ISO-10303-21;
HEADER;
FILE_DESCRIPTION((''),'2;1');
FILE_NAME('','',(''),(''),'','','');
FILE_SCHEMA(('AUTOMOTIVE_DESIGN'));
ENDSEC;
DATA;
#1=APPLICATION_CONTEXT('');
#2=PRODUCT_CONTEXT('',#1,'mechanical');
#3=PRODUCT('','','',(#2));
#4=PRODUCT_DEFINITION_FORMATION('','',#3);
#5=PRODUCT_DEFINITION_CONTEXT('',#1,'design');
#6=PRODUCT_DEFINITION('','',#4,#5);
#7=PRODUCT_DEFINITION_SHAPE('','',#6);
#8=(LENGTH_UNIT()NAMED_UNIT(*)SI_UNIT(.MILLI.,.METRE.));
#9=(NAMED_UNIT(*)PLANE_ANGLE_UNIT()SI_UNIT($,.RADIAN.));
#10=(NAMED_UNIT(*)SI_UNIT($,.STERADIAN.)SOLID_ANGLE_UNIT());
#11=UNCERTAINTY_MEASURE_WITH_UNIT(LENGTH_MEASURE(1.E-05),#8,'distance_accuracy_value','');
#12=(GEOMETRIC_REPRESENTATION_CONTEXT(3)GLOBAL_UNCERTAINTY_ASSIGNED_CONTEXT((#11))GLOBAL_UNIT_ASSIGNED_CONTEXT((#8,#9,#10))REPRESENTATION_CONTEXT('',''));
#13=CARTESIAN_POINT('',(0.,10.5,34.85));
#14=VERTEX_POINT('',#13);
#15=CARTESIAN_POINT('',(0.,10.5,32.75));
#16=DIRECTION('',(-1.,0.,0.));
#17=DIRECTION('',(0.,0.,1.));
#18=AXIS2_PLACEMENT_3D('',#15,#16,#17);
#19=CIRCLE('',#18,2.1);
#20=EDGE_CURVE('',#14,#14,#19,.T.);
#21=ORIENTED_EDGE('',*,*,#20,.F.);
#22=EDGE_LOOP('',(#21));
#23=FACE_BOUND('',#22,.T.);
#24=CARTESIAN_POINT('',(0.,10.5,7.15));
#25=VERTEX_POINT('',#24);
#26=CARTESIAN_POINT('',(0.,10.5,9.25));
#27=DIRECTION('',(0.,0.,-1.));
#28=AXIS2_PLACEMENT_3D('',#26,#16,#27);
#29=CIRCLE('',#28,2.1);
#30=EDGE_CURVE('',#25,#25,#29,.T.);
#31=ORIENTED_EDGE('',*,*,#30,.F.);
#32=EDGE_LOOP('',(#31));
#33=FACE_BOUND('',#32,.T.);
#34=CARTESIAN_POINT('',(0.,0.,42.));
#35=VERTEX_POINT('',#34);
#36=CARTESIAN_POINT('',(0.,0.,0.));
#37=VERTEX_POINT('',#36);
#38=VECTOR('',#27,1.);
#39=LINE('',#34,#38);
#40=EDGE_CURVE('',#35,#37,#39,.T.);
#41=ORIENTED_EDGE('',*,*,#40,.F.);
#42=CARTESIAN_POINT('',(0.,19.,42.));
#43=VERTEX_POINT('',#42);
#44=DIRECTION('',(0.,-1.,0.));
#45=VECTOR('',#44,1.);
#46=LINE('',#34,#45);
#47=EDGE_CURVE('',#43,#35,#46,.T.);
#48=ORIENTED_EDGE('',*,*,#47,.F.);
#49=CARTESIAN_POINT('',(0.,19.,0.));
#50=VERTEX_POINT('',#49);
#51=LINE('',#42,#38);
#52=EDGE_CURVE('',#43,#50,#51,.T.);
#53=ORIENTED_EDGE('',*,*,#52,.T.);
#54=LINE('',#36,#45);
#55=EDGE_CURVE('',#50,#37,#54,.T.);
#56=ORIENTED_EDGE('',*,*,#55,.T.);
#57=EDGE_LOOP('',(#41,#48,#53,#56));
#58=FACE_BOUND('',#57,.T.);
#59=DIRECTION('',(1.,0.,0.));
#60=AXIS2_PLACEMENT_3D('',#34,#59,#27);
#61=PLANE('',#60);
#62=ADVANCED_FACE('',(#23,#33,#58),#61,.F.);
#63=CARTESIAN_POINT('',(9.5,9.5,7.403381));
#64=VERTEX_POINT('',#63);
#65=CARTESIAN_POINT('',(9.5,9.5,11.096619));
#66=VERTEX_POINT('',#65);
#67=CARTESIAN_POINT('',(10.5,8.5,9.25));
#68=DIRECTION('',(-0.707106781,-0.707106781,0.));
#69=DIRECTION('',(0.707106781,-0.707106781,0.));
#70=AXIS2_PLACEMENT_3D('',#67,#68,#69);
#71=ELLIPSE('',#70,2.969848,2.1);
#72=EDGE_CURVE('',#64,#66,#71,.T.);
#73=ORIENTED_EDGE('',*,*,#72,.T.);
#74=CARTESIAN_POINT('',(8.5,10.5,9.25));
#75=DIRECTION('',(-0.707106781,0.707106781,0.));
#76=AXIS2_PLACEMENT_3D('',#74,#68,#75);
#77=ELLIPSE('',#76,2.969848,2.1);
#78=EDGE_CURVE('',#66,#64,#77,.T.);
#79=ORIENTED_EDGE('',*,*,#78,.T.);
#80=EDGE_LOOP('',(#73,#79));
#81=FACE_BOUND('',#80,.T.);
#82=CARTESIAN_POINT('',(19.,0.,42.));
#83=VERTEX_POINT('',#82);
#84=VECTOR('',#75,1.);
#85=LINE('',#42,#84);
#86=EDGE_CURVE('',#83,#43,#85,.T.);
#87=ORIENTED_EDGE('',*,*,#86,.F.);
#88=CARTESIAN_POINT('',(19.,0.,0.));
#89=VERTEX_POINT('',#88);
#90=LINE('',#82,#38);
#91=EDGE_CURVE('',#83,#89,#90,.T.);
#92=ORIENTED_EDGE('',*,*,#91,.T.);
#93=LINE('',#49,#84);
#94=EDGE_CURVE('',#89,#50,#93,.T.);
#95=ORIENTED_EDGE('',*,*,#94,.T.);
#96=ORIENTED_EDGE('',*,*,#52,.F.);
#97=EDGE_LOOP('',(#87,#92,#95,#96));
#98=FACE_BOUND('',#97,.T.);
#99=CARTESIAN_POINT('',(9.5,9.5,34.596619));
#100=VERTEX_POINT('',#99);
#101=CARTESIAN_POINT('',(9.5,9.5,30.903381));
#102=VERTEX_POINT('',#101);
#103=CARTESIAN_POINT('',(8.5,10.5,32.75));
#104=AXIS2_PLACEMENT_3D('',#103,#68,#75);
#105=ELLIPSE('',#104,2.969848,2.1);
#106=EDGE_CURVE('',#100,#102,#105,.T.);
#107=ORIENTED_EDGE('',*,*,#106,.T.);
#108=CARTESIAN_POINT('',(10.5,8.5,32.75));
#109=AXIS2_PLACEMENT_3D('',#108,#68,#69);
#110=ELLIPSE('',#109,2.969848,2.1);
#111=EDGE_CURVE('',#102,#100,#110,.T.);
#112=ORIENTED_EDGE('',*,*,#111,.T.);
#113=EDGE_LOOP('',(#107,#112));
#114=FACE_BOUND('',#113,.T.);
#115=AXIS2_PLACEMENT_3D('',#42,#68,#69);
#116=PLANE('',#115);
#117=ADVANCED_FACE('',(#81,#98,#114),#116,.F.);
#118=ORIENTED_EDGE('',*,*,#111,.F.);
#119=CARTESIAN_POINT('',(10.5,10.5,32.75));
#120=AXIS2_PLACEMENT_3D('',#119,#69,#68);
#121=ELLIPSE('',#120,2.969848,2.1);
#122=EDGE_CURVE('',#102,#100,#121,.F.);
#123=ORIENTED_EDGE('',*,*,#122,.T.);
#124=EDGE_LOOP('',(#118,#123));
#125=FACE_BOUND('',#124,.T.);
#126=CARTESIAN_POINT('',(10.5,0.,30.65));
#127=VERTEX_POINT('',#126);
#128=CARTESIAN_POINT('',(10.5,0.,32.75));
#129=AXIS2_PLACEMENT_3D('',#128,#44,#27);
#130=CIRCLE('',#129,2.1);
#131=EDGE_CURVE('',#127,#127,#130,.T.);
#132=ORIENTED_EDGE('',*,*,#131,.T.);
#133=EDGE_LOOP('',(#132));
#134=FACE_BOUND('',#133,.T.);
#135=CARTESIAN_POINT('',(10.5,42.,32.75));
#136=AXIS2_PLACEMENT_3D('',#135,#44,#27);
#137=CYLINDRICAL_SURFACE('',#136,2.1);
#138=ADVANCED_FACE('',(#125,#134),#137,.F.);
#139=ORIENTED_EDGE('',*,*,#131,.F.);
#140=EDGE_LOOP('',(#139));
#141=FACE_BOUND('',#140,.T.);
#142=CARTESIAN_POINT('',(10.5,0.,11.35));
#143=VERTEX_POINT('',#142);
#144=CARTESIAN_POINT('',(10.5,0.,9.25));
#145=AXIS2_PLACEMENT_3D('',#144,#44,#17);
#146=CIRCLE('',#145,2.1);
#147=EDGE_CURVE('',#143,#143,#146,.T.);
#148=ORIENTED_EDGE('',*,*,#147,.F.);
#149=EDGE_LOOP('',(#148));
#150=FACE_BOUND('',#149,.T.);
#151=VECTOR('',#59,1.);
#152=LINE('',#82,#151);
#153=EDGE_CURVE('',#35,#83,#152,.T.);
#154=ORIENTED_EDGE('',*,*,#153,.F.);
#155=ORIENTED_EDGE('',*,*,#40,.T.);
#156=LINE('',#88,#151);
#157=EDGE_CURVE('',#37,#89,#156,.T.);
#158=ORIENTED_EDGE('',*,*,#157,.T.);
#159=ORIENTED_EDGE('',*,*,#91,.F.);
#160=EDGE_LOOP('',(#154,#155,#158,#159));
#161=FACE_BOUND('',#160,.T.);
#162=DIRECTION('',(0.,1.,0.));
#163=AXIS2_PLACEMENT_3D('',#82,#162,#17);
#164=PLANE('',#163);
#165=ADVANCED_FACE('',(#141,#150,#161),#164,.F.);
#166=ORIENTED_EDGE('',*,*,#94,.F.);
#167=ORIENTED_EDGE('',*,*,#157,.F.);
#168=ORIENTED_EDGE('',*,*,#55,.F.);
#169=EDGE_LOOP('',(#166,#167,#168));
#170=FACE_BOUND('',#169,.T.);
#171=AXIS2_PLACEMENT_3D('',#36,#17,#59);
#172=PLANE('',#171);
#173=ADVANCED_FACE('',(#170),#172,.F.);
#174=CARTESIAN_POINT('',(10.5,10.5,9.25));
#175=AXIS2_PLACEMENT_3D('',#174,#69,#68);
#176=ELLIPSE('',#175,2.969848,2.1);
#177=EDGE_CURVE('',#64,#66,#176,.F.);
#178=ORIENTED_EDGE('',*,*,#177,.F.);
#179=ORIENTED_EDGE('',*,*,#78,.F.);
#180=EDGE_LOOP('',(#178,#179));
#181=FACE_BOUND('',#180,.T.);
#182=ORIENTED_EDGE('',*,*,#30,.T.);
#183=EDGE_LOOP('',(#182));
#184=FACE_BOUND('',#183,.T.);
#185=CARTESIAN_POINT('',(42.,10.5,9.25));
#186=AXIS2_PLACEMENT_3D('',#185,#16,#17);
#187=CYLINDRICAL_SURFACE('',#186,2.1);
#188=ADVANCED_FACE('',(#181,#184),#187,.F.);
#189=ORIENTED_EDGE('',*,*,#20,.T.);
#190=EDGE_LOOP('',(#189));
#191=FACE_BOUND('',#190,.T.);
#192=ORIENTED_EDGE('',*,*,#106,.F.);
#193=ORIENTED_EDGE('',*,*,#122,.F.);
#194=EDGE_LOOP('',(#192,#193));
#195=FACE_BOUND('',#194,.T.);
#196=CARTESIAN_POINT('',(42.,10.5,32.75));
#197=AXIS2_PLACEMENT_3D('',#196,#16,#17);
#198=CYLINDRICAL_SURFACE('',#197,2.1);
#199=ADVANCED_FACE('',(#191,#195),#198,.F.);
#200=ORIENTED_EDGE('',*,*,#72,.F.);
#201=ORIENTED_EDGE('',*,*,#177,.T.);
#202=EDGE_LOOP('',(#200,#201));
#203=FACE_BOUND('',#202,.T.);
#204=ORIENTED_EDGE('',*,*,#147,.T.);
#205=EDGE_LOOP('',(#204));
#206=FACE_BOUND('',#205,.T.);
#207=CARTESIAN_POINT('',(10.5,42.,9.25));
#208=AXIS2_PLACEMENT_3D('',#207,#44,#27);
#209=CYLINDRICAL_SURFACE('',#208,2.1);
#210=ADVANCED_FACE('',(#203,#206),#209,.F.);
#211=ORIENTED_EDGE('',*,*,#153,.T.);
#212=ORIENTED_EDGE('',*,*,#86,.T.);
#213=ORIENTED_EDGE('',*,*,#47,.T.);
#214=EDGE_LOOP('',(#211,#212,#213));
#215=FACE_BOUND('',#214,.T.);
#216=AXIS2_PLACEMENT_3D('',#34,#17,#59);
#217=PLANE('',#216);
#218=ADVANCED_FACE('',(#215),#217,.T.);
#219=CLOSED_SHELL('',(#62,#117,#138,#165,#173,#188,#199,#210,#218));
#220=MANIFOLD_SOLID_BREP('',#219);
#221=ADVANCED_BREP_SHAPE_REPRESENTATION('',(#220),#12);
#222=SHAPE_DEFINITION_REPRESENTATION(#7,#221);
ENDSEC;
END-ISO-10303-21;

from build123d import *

# Parameters (mm, degrees)
EXTRUDE_2_DEPTH     = 42
SKETCH_4_R          = 2.1
CUT_EXTRUDE_2_DEPTH = 42
SKETCH_5_R          = 2.1
CUT_EXTRUDE_3_DEPTH = 42


with BuildPart() as part:
    # 草图1 → 凸台-拉伸2 (new body)
    with BuildSketch(Plane.XY):
        Polygon((19, 0), (0, 0), (0, 19), align=None)
    extrude(amount=EXTRUDE_2_DEPTH)

    # 草图4 → 切除-拉伸2 (cut)
    with BuildSketch(Plane(origin=(0, 0, 0), x_dir=(-1, 0, 0), z_dir=(0, -1, 0))):
        with Locations(Location((-10.5, -32.75, 0), (0, 0, 90))):
            Circle(SKETCH_4_R)
        with Locations(Location((-10.5, -9.25, 0), (0, 0, 180))):
            Circle(SKETCH_4_R)
    extrude(amount=-CUT_EXTRUDE_2_DEPTH, mode=Mode.SUBTRACT)

    # 草图5 → 切除-拉伸3 (cut)
    with BuildSketch(Plane.ZY):
        with Locations((32.75, 10.5)):
            Circle(SKETCH_5_R)
        with Locations(Location((9.25, 10.5, 0), (0, 0, 331.563109851))):
            Circle(SKETCH_5_R)
    extrude(amount=-CUT_EXTRUDE_3_DEPTH, mode=Mode.SUBTRACT)


solid = part.part
